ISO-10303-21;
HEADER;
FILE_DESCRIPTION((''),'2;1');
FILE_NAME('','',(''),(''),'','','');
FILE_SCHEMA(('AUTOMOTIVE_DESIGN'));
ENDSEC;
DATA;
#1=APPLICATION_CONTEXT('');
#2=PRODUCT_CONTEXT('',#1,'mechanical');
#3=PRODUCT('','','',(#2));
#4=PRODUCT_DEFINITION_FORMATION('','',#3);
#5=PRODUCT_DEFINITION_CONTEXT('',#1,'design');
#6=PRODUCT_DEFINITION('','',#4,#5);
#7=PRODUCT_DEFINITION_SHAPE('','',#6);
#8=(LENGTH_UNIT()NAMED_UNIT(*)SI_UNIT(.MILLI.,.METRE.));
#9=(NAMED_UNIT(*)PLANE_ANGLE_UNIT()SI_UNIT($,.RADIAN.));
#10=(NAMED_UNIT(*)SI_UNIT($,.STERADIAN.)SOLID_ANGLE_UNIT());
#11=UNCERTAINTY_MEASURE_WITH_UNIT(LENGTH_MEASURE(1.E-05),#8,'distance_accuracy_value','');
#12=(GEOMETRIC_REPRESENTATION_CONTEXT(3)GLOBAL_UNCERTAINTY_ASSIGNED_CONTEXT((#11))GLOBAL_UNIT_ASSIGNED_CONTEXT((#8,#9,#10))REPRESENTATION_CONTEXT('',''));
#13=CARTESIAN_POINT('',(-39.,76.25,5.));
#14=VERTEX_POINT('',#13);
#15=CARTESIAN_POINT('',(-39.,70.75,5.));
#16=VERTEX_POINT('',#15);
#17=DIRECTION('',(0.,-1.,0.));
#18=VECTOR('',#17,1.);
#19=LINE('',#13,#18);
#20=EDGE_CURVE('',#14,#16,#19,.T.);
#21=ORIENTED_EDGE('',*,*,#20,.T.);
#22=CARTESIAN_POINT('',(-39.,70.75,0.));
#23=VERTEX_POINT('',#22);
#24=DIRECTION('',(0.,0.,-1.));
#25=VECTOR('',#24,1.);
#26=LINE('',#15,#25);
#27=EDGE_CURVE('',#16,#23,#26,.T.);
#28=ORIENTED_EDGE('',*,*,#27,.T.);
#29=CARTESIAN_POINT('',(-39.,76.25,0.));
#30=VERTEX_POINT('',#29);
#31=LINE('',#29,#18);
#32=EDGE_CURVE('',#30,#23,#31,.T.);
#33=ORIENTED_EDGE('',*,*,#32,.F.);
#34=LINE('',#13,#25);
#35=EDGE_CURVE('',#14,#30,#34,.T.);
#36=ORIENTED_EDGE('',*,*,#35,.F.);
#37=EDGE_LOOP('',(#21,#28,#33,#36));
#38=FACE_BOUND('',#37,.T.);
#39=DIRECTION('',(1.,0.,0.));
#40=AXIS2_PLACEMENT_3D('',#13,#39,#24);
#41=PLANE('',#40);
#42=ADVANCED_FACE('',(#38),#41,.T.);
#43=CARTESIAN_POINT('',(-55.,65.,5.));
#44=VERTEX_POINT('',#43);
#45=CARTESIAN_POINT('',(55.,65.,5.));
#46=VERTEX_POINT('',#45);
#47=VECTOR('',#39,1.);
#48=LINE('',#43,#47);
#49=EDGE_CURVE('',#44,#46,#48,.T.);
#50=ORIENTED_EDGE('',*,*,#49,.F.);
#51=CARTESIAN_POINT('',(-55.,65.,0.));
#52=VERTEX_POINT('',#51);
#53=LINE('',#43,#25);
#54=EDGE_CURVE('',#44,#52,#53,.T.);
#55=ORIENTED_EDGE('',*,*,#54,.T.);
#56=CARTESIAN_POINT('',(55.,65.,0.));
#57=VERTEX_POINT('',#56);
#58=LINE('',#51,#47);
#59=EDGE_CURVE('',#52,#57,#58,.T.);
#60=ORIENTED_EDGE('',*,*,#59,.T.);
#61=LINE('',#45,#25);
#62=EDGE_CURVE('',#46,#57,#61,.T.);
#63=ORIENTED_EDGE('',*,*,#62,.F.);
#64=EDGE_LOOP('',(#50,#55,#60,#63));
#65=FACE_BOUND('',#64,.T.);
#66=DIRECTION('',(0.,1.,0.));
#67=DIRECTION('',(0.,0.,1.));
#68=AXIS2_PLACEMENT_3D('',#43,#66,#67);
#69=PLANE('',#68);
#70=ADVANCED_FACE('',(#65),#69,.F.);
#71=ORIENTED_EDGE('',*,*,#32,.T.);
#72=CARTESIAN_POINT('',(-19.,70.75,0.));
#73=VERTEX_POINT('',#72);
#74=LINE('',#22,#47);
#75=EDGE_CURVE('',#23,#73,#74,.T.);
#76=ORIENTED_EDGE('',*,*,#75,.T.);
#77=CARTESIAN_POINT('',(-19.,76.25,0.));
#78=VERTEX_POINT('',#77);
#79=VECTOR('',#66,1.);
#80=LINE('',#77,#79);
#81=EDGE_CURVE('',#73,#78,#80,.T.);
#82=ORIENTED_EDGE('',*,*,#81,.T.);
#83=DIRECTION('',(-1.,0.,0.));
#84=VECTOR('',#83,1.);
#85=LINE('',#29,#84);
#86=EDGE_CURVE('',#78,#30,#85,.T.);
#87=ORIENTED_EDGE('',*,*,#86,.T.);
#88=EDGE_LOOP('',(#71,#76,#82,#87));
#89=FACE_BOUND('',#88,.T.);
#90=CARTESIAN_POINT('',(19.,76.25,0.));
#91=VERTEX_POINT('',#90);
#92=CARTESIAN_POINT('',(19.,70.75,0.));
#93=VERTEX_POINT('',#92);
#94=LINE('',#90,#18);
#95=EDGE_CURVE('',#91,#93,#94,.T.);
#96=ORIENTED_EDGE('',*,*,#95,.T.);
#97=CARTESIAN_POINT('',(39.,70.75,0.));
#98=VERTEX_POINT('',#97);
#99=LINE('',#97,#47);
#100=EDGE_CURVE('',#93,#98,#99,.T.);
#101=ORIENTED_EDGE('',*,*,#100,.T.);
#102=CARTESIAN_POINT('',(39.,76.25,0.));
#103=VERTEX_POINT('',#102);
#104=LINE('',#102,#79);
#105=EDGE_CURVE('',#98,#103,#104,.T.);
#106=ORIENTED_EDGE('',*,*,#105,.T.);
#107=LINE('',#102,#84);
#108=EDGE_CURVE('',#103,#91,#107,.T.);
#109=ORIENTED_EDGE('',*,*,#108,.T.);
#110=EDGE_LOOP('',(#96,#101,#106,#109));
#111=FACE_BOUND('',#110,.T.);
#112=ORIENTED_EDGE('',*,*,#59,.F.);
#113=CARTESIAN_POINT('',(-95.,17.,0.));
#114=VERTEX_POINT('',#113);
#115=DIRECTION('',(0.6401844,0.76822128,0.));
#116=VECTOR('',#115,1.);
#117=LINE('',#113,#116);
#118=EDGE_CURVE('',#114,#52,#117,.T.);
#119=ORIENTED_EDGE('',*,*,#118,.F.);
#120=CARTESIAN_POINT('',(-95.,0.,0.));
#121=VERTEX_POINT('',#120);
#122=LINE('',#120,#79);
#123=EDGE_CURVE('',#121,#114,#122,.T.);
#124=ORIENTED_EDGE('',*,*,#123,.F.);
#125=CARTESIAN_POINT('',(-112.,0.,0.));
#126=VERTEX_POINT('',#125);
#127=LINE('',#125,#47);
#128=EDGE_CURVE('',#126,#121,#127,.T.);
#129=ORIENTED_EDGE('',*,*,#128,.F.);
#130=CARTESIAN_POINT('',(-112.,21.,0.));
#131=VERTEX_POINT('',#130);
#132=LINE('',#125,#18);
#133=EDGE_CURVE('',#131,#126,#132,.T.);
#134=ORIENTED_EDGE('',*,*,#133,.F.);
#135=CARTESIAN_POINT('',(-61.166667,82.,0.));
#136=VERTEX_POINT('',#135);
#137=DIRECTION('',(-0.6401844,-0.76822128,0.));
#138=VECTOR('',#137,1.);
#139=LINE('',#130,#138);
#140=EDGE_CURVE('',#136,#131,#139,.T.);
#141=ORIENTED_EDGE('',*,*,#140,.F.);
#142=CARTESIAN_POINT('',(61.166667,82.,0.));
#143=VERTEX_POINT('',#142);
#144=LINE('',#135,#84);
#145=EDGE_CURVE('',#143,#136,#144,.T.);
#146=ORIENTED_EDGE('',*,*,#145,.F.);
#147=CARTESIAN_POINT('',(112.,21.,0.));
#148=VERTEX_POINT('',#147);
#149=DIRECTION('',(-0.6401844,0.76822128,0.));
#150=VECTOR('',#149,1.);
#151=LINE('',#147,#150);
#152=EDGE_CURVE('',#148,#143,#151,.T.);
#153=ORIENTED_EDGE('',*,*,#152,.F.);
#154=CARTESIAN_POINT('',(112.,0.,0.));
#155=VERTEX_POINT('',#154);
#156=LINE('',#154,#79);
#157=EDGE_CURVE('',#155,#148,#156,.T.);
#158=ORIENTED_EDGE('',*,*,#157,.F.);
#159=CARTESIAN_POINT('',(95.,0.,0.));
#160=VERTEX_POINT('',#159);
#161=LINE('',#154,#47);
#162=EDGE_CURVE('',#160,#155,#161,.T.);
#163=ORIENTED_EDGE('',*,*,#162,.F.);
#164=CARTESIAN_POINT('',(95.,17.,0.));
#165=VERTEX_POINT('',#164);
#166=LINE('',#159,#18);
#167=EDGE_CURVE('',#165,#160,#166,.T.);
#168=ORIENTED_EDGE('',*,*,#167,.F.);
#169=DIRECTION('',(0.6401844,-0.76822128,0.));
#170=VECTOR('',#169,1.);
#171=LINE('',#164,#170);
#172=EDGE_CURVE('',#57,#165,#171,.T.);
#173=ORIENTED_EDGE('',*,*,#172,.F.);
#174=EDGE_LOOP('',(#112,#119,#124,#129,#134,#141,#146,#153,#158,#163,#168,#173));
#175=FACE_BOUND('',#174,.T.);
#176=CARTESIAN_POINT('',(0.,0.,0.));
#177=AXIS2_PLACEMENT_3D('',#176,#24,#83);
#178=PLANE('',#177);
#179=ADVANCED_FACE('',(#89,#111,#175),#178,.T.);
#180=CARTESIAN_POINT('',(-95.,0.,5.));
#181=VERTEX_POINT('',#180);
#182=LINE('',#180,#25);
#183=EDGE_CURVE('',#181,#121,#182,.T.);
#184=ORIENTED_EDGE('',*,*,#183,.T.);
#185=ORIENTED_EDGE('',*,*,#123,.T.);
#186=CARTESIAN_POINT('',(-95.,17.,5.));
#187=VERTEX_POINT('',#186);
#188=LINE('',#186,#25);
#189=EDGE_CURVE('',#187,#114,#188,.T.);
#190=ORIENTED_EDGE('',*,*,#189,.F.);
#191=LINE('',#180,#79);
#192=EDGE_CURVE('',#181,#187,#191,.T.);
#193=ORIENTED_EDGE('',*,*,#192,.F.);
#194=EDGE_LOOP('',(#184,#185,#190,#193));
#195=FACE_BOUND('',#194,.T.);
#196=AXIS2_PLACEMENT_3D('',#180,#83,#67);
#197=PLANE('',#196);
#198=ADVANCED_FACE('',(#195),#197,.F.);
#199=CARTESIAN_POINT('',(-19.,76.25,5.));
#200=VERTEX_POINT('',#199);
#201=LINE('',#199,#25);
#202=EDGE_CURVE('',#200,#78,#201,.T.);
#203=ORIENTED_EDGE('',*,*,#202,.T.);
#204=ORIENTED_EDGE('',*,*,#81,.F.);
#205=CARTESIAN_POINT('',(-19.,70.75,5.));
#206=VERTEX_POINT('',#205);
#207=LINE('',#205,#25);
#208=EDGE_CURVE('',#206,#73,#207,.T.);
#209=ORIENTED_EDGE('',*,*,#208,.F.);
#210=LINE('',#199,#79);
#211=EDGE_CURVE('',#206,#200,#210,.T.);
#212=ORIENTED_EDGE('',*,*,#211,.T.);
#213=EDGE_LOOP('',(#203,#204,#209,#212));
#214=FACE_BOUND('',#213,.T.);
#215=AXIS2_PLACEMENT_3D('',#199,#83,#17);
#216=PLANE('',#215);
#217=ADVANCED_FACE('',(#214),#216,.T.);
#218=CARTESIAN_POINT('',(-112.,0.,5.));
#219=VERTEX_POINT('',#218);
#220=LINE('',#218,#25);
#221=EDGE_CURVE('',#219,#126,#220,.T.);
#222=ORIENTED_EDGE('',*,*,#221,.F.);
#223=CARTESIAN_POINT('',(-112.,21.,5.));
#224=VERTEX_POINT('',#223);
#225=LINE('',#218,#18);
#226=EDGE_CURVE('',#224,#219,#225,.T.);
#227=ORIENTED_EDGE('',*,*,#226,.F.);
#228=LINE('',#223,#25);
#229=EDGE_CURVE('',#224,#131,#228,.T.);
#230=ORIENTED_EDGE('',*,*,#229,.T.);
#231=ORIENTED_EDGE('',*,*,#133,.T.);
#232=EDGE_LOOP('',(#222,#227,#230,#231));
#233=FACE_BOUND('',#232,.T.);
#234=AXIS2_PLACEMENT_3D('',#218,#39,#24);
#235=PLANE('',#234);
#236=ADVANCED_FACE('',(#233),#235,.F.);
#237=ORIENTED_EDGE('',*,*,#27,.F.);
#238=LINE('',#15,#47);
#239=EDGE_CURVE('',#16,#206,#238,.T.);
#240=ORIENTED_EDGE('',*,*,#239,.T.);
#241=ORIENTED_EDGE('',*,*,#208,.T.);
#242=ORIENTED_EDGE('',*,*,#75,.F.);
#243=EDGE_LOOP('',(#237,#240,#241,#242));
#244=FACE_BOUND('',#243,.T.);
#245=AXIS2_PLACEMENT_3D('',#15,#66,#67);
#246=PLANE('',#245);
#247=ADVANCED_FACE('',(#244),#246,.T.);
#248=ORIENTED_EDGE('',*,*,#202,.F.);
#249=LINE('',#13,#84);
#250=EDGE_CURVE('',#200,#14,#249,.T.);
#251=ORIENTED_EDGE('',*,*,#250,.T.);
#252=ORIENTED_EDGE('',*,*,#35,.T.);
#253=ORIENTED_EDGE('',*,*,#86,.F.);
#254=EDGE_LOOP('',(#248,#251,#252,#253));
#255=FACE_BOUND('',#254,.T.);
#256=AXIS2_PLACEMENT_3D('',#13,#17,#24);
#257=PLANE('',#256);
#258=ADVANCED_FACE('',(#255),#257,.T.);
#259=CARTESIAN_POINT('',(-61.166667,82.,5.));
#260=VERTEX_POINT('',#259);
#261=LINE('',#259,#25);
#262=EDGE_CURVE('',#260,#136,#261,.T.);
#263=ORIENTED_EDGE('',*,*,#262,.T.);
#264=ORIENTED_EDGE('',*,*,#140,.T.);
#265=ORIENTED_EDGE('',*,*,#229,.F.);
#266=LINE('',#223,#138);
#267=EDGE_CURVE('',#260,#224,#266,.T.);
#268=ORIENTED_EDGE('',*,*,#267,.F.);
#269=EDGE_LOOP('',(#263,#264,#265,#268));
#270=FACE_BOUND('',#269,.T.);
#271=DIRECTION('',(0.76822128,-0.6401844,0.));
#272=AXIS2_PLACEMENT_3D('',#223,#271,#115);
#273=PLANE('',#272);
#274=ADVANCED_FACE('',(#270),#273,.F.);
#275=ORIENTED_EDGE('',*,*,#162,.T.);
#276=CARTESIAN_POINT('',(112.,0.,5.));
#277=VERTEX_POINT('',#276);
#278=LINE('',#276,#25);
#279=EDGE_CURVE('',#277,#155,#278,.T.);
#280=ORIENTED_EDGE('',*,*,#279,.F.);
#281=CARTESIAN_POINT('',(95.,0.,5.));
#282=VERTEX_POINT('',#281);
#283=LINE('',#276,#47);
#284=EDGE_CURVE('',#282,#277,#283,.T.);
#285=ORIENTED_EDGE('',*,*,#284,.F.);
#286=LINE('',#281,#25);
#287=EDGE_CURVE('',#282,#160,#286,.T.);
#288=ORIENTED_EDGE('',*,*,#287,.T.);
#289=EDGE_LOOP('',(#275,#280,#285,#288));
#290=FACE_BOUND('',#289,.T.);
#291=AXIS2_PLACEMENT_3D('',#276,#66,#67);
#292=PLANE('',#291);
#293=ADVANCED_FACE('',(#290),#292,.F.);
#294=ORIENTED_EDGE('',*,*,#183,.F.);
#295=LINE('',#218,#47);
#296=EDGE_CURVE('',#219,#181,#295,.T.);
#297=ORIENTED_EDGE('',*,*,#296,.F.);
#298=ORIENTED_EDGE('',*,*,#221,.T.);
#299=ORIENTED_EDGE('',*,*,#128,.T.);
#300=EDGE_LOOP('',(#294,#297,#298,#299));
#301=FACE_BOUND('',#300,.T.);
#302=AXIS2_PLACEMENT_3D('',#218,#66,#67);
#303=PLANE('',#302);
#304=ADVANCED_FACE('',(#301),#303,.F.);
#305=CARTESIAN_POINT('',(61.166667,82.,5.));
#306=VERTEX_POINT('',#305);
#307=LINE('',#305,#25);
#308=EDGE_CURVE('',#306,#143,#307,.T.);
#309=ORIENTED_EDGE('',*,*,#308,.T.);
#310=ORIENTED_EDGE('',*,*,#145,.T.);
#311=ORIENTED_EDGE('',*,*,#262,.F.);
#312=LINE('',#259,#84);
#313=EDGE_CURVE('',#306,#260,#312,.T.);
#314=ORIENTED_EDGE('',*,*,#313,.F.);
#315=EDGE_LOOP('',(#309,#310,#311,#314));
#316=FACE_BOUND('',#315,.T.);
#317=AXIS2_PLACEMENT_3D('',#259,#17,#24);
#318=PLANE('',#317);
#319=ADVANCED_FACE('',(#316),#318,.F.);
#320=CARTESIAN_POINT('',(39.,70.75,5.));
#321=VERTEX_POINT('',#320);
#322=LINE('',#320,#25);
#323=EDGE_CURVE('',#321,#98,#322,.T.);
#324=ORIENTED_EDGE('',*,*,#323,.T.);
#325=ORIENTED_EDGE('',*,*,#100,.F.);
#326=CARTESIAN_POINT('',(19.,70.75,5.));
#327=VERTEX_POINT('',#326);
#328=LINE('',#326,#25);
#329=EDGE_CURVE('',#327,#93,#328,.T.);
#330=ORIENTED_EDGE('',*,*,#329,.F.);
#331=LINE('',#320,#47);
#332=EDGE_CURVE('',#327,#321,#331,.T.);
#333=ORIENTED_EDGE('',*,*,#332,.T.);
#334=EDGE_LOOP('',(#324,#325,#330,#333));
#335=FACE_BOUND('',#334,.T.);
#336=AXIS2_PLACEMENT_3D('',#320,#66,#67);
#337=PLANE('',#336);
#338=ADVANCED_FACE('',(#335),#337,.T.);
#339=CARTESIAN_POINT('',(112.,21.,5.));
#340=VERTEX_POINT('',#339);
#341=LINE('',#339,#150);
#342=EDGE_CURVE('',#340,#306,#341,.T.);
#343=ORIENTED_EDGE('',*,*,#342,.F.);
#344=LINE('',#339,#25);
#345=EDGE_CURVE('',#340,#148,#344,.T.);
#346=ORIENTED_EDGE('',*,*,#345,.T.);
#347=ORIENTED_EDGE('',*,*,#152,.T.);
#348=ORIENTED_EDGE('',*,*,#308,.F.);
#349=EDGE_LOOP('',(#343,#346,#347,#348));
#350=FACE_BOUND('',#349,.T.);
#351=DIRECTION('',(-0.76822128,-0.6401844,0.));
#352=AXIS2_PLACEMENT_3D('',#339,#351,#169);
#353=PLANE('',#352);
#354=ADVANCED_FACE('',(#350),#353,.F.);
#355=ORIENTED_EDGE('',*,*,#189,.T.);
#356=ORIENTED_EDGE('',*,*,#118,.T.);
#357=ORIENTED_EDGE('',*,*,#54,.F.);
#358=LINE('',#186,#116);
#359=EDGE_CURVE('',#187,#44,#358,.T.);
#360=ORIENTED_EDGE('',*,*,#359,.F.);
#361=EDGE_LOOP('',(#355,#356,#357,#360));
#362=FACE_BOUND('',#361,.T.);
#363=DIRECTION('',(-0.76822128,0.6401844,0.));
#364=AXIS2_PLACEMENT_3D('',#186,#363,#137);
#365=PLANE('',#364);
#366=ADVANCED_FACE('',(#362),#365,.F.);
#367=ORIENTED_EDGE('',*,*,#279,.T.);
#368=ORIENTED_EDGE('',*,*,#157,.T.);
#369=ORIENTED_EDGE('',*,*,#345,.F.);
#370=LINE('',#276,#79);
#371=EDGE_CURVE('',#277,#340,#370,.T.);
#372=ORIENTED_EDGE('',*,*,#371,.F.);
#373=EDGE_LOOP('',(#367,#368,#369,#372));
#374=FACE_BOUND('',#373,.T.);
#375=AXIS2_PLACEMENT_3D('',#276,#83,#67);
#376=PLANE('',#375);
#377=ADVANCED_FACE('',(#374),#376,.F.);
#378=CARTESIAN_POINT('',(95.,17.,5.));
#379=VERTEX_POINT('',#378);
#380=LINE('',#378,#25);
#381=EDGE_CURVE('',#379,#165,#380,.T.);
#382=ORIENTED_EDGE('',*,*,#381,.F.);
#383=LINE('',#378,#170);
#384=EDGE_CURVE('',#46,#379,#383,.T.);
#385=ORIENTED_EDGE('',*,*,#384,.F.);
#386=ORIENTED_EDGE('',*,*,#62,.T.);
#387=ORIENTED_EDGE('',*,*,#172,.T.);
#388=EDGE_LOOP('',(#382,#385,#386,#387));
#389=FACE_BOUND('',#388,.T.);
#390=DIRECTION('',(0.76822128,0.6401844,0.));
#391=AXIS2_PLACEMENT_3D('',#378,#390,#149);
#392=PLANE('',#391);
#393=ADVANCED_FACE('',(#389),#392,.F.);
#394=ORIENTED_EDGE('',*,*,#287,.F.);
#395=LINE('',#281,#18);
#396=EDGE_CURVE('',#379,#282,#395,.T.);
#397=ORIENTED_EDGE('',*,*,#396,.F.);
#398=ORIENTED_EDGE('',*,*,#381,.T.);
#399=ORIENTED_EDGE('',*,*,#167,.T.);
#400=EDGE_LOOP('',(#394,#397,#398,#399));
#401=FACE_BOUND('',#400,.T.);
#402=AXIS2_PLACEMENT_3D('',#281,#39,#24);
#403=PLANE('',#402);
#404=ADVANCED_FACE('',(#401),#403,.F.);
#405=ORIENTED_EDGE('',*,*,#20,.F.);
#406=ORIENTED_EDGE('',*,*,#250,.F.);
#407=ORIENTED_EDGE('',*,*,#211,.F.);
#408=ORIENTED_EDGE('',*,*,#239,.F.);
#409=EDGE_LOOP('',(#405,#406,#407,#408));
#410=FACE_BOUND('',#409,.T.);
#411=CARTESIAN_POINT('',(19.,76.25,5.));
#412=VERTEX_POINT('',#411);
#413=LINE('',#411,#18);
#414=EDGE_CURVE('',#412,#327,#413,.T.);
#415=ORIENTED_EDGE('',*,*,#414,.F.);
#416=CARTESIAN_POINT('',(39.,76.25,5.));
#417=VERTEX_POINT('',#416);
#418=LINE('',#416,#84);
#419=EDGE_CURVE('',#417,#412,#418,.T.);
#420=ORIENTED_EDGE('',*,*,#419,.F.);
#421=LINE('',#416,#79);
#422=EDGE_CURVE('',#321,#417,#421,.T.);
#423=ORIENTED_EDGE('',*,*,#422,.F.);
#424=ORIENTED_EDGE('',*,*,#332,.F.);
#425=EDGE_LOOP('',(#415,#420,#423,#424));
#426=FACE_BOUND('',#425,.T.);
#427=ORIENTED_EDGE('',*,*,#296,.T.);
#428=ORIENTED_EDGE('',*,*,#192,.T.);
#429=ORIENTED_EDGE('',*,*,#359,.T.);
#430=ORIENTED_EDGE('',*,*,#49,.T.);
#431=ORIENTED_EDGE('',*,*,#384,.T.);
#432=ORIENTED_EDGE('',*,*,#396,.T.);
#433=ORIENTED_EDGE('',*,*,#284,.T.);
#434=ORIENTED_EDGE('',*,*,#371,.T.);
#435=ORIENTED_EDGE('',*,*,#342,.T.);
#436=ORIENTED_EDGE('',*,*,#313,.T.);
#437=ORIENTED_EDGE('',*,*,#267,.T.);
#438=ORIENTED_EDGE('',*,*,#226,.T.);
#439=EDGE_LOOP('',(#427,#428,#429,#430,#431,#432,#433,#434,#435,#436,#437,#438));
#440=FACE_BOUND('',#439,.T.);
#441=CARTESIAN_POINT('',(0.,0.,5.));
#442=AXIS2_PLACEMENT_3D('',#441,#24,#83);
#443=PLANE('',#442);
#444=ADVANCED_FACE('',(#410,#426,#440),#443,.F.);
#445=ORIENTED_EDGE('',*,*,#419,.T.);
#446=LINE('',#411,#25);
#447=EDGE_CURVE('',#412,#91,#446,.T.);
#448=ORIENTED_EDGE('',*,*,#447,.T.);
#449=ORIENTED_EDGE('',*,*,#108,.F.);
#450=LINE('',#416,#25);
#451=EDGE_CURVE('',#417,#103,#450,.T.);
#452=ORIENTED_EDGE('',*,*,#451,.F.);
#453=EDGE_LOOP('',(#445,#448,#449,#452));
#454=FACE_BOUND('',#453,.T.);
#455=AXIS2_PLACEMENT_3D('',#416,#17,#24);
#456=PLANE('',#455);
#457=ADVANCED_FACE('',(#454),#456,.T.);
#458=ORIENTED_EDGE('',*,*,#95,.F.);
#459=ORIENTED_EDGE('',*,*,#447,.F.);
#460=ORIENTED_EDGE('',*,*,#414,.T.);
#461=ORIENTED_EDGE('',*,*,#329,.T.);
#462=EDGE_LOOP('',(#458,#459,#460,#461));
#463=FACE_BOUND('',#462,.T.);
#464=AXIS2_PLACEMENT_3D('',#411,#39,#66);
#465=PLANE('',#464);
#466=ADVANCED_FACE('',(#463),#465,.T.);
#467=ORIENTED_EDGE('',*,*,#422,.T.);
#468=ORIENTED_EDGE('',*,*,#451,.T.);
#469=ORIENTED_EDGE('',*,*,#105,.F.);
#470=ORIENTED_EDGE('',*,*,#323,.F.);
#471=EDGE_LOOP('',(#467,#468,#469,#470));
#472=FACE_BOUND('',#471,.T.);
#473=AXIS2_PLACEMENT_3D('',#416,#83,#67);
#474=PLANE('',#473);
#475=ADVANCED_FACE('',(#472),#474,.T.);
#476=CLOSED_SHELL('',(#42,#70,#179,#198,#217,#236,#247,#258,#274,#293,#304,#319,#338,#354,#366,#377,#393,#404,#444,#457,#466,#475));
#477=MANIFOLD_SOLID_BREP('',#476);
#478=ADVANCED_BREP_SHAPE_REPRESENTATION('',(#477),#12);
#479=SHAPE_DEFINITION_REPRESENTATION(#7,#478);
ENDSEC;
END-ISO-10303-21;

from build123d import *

# Parameters (mm, degrees)
SKETCH1_W           = 20
SKETCH1_H           = 5.5
BOSS_EXTRUDE1_DEPTH = 5


with BuildPart() as part:
    # Sketch1 → Boss-Extrude1 (new body)
    with BuildSketch(Plane.XY):
        Polygon((-112, 0), (-95, 0), (-95, 17), (-55, 65), (55, 65), (95, 17), (95, 0), (112, 0), (112, 21), (61.166666667, 82), (-61.166666667, 82), (-112, 21), align=None)
        with Locations((29, 73.5)):
            Rectangle(SKETCH1_W, SKETCH1_H, mode=Mode.SUBTRACT)
        with Locations((-29, 73.5)):
            Rectangle(SKETCH1_W, SKETCH1_H, mode=Mode.SUBTRACT)
    extrude(amount=BOSS_EXTRUDE1_DEPTH)


solid = part.part
